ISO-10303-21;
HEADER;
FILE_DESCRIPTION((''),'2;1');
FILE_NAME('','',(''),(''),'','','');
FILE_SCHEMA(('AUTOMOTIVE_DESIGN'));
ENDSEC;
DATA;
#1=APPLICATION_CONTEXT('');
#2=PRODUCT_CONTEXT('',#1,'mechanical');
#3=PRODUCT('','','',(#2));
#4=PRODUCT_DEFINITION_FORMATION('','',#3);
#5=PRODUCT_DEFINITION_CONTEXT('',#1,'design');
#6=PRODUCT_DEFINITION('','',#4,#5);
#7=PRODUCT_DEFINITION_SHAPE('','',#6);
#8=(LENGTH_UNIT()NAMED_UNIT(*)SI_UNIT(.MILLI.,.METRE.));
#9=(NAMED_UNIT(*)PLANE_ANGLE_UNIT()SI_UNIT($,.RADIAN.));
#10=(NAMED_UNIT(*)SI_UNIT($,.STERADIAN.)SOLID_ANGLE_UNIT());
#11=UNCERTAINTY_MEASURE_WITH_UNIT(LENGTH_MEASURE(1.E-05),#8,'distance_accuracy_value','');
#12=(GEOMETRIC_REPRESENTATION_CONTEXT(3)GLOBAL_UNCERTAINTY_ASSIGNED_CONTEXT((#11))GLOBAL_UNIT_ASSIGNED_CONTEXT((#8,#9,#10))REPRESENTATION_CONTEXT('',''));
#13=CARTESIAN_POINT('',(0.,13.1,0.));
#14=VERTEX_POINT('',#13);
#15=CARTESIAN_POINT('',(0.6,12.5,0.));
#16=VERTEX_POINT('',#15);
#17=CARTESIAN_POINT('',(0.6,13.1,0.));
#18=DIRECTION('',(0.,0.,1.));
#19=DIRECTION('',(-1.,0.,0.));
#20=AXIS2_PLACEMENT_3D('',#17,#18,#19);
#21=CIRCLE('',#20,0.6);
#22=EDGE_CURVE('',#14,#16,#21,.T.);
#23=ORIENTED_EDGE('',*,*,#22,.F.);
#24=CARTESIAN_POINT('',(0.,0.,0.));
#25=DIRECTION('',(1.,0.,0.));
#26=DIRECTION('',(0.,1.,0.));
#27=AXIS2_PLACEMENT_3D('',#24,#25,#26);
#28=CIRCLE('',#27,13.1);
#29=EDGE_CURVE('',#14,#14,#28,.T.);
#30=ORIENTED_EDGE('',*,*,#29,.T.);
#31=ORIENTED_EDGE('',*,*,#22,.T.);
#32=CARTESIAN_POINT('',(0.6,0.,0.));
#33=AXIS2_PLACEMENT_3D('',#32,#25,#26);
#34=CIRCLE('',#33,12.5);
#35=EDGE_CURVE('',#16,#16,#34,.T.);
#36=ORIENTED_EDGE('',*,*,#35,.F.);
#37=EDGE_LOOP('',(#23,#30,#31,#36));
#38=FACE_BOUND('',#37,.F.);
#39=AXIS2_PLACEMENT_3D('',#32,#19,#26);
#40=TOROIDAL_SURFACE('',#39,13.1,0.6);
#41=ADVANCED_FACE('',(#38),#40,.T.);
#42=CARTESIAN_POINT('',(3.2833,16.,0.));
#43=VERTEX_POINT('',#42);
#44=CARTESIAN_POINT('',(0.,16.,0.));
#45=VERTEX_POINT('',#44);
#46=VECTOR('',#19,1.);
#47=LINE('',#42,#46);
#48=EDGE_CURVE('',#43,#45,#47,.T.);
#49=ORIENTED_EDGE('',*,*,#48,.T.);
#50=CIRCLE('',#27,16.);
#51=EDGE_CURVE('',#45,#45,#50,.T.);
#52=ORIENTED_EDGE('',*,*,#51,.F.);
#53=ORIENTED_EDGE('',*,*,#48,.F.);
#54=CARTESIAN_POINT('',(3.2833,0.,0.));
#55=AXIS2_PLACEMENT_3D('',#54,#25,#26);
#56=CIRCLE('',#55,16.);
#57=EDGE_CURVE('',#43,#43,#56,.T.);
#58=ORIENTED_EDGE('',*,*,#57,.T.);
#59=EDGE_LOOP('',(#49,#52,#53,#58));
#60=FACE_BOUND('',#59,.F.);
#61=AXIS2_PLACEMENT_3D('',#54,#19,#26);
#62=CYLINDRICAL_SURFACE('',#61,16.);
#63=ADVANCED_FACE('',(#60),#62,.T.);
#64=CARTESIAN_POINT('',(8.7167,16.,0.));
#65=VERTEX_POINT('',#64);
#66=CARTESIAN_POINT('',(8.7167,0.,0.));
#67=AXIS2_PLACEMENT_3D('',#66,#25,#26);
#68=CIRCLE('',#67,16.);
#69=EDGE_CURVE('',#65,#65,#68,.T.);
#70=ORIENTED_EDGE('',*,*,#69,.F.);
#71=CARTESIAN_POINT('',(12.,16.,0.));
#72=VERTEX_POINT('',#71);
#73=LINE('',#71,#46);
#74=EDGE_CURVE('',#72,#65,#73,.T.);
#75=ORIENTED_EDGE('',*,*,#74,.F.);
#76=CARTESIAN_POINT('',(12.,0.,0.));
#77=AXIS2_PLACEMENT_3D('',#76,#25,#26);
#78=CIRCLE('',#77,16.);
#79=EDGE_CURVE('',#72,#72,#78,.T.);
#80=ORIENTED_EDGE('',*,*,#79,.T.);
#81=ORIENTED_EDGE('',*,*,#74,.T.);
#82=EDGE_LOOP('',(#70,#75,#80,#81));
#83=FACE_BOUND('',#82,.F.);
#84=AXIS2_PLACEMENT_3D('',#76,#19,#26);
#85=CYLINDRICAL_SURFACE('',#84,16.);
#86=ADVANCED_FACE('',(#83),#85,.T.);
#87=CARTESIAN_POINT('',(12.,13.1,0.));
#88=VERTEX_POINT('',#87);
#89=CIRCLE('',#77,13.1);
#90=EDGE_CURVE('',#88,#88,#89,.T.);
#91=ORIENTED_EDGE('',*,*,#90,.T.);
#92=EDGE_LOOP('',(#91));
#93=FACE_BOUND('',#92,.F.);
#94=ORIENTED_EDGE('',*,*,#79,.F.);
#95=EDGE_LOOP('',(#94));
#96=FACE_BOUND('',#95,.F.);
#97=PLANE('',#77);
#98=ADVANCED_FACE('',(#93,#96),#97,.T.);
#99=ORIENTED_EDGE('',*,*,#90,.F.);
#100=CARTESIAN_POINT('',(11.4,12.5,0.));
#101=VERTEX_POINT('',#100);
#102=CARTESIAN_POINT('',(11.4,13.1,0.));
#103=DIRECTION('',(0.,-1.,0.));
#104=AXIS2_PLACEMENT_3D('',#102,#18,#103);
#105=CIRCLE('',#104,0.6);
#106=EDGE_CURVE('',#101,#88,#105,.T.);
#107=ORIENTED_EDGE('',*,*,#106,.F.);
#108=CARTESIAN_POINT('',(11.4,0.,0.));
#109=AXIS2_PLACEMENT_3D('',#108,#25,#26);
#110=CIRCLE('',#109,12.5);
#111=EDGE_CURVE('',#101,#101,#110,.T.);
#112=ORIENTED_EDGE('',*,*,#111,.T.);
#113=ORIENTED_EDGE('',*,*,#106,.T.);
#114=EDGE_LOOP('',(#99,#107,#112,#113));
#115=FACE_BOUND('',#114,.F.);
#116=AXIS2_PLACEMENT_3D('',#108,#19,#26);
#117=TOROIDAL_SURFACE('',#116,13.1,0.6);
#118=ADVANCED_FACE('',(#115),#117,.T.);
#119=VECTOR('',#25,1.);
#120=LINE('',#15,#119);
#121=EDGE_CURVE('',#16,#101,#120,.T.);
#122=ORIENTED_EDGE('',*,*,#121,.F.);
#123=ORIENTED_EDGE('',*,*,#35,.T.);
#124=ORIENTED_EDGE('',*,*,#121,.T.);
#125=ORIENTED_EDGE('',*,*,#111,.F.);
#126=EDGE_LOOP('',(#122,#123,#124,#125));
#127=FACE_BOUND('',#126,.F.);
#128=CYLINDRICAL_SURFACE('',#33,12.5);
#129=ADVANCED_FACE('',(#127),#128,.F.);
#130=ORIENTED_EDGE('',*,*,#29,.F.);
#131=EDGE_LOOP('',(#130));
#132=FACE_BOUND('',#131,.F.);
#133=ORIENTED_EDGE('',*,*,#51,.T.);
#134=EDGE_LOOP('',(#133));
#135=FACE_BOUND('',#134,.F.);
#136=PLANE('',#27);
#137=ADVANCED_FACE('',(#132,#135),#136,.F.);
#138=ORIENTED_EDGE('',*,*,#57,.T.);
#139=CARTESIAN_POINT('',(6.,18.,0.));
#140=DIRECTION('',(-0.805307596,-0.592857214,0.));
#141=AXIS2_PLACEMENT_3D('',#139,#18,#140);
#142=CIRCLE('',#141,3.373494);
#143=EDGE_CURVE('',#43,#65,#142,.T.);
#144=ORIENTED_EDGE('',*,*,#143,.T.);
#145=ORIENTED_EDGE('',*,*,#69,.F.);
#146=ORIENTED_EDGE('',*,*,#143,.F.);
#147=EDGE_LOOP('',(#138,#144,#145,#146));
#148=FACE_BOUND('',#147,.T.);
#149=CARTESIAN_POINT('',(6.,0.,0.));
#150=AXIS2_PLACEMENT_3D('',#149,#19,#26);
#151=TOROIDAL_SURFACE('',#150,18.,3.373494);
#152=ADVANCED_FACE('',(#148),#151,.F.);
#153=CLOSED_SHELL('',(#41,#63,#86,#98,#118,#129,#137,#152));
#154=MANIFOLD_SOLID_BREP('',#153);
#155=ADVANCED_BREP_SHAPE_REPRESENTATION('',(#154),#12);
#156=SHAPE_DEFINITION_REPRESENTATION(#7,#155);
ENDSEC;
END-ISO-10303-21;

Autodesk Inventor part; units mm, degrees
ref_plane "YZ Plane" through (0, 0, 0) normal (1, 0, 0) x (0, 1, 0)
ref_plane "XZ Plane" through (0, 0, 0) normal (0, 1, 0) x (-1, 0, 0)
ref_plane "XY Plane" through (0, 0, 0) normal (0, 0, 1) x (1, 0, 0)
sketch "Sketch_1" plane through (0, 0, 0) normal (0, 0, 1) x (1, 0, 0)
  line L0 (50, 0) -> (-50, 0)
  arc A0 (0, 13.1) -> (0.6, 12.5) centre (0.6, 13.1) ccw
  line L1 (0.6, 12.5) -> (11.4, 12.5)
  arc A1 (11.4, 12.5) -> (12, 13.1) centre (11.4, 13.1) ccw
  line L2 (12, 13.1) -> (12, 16)
  line L3 (12, 16) -> (8.7167, 16)
  arc A2 (3.2833, 16) -> (8.7167, 16) centre (6, 18) ccw
  line L4 (3.2833, 16) -> (0, 16)
  line L5 (0, 16) -> (0, 13.1)
revolve "Revolution1" add sketch "Sketch_1" angle 360 about axis through (50, 0, 0) along (1, 0, 0)
properties part number "6005_PART1" material "Acero, suave"
